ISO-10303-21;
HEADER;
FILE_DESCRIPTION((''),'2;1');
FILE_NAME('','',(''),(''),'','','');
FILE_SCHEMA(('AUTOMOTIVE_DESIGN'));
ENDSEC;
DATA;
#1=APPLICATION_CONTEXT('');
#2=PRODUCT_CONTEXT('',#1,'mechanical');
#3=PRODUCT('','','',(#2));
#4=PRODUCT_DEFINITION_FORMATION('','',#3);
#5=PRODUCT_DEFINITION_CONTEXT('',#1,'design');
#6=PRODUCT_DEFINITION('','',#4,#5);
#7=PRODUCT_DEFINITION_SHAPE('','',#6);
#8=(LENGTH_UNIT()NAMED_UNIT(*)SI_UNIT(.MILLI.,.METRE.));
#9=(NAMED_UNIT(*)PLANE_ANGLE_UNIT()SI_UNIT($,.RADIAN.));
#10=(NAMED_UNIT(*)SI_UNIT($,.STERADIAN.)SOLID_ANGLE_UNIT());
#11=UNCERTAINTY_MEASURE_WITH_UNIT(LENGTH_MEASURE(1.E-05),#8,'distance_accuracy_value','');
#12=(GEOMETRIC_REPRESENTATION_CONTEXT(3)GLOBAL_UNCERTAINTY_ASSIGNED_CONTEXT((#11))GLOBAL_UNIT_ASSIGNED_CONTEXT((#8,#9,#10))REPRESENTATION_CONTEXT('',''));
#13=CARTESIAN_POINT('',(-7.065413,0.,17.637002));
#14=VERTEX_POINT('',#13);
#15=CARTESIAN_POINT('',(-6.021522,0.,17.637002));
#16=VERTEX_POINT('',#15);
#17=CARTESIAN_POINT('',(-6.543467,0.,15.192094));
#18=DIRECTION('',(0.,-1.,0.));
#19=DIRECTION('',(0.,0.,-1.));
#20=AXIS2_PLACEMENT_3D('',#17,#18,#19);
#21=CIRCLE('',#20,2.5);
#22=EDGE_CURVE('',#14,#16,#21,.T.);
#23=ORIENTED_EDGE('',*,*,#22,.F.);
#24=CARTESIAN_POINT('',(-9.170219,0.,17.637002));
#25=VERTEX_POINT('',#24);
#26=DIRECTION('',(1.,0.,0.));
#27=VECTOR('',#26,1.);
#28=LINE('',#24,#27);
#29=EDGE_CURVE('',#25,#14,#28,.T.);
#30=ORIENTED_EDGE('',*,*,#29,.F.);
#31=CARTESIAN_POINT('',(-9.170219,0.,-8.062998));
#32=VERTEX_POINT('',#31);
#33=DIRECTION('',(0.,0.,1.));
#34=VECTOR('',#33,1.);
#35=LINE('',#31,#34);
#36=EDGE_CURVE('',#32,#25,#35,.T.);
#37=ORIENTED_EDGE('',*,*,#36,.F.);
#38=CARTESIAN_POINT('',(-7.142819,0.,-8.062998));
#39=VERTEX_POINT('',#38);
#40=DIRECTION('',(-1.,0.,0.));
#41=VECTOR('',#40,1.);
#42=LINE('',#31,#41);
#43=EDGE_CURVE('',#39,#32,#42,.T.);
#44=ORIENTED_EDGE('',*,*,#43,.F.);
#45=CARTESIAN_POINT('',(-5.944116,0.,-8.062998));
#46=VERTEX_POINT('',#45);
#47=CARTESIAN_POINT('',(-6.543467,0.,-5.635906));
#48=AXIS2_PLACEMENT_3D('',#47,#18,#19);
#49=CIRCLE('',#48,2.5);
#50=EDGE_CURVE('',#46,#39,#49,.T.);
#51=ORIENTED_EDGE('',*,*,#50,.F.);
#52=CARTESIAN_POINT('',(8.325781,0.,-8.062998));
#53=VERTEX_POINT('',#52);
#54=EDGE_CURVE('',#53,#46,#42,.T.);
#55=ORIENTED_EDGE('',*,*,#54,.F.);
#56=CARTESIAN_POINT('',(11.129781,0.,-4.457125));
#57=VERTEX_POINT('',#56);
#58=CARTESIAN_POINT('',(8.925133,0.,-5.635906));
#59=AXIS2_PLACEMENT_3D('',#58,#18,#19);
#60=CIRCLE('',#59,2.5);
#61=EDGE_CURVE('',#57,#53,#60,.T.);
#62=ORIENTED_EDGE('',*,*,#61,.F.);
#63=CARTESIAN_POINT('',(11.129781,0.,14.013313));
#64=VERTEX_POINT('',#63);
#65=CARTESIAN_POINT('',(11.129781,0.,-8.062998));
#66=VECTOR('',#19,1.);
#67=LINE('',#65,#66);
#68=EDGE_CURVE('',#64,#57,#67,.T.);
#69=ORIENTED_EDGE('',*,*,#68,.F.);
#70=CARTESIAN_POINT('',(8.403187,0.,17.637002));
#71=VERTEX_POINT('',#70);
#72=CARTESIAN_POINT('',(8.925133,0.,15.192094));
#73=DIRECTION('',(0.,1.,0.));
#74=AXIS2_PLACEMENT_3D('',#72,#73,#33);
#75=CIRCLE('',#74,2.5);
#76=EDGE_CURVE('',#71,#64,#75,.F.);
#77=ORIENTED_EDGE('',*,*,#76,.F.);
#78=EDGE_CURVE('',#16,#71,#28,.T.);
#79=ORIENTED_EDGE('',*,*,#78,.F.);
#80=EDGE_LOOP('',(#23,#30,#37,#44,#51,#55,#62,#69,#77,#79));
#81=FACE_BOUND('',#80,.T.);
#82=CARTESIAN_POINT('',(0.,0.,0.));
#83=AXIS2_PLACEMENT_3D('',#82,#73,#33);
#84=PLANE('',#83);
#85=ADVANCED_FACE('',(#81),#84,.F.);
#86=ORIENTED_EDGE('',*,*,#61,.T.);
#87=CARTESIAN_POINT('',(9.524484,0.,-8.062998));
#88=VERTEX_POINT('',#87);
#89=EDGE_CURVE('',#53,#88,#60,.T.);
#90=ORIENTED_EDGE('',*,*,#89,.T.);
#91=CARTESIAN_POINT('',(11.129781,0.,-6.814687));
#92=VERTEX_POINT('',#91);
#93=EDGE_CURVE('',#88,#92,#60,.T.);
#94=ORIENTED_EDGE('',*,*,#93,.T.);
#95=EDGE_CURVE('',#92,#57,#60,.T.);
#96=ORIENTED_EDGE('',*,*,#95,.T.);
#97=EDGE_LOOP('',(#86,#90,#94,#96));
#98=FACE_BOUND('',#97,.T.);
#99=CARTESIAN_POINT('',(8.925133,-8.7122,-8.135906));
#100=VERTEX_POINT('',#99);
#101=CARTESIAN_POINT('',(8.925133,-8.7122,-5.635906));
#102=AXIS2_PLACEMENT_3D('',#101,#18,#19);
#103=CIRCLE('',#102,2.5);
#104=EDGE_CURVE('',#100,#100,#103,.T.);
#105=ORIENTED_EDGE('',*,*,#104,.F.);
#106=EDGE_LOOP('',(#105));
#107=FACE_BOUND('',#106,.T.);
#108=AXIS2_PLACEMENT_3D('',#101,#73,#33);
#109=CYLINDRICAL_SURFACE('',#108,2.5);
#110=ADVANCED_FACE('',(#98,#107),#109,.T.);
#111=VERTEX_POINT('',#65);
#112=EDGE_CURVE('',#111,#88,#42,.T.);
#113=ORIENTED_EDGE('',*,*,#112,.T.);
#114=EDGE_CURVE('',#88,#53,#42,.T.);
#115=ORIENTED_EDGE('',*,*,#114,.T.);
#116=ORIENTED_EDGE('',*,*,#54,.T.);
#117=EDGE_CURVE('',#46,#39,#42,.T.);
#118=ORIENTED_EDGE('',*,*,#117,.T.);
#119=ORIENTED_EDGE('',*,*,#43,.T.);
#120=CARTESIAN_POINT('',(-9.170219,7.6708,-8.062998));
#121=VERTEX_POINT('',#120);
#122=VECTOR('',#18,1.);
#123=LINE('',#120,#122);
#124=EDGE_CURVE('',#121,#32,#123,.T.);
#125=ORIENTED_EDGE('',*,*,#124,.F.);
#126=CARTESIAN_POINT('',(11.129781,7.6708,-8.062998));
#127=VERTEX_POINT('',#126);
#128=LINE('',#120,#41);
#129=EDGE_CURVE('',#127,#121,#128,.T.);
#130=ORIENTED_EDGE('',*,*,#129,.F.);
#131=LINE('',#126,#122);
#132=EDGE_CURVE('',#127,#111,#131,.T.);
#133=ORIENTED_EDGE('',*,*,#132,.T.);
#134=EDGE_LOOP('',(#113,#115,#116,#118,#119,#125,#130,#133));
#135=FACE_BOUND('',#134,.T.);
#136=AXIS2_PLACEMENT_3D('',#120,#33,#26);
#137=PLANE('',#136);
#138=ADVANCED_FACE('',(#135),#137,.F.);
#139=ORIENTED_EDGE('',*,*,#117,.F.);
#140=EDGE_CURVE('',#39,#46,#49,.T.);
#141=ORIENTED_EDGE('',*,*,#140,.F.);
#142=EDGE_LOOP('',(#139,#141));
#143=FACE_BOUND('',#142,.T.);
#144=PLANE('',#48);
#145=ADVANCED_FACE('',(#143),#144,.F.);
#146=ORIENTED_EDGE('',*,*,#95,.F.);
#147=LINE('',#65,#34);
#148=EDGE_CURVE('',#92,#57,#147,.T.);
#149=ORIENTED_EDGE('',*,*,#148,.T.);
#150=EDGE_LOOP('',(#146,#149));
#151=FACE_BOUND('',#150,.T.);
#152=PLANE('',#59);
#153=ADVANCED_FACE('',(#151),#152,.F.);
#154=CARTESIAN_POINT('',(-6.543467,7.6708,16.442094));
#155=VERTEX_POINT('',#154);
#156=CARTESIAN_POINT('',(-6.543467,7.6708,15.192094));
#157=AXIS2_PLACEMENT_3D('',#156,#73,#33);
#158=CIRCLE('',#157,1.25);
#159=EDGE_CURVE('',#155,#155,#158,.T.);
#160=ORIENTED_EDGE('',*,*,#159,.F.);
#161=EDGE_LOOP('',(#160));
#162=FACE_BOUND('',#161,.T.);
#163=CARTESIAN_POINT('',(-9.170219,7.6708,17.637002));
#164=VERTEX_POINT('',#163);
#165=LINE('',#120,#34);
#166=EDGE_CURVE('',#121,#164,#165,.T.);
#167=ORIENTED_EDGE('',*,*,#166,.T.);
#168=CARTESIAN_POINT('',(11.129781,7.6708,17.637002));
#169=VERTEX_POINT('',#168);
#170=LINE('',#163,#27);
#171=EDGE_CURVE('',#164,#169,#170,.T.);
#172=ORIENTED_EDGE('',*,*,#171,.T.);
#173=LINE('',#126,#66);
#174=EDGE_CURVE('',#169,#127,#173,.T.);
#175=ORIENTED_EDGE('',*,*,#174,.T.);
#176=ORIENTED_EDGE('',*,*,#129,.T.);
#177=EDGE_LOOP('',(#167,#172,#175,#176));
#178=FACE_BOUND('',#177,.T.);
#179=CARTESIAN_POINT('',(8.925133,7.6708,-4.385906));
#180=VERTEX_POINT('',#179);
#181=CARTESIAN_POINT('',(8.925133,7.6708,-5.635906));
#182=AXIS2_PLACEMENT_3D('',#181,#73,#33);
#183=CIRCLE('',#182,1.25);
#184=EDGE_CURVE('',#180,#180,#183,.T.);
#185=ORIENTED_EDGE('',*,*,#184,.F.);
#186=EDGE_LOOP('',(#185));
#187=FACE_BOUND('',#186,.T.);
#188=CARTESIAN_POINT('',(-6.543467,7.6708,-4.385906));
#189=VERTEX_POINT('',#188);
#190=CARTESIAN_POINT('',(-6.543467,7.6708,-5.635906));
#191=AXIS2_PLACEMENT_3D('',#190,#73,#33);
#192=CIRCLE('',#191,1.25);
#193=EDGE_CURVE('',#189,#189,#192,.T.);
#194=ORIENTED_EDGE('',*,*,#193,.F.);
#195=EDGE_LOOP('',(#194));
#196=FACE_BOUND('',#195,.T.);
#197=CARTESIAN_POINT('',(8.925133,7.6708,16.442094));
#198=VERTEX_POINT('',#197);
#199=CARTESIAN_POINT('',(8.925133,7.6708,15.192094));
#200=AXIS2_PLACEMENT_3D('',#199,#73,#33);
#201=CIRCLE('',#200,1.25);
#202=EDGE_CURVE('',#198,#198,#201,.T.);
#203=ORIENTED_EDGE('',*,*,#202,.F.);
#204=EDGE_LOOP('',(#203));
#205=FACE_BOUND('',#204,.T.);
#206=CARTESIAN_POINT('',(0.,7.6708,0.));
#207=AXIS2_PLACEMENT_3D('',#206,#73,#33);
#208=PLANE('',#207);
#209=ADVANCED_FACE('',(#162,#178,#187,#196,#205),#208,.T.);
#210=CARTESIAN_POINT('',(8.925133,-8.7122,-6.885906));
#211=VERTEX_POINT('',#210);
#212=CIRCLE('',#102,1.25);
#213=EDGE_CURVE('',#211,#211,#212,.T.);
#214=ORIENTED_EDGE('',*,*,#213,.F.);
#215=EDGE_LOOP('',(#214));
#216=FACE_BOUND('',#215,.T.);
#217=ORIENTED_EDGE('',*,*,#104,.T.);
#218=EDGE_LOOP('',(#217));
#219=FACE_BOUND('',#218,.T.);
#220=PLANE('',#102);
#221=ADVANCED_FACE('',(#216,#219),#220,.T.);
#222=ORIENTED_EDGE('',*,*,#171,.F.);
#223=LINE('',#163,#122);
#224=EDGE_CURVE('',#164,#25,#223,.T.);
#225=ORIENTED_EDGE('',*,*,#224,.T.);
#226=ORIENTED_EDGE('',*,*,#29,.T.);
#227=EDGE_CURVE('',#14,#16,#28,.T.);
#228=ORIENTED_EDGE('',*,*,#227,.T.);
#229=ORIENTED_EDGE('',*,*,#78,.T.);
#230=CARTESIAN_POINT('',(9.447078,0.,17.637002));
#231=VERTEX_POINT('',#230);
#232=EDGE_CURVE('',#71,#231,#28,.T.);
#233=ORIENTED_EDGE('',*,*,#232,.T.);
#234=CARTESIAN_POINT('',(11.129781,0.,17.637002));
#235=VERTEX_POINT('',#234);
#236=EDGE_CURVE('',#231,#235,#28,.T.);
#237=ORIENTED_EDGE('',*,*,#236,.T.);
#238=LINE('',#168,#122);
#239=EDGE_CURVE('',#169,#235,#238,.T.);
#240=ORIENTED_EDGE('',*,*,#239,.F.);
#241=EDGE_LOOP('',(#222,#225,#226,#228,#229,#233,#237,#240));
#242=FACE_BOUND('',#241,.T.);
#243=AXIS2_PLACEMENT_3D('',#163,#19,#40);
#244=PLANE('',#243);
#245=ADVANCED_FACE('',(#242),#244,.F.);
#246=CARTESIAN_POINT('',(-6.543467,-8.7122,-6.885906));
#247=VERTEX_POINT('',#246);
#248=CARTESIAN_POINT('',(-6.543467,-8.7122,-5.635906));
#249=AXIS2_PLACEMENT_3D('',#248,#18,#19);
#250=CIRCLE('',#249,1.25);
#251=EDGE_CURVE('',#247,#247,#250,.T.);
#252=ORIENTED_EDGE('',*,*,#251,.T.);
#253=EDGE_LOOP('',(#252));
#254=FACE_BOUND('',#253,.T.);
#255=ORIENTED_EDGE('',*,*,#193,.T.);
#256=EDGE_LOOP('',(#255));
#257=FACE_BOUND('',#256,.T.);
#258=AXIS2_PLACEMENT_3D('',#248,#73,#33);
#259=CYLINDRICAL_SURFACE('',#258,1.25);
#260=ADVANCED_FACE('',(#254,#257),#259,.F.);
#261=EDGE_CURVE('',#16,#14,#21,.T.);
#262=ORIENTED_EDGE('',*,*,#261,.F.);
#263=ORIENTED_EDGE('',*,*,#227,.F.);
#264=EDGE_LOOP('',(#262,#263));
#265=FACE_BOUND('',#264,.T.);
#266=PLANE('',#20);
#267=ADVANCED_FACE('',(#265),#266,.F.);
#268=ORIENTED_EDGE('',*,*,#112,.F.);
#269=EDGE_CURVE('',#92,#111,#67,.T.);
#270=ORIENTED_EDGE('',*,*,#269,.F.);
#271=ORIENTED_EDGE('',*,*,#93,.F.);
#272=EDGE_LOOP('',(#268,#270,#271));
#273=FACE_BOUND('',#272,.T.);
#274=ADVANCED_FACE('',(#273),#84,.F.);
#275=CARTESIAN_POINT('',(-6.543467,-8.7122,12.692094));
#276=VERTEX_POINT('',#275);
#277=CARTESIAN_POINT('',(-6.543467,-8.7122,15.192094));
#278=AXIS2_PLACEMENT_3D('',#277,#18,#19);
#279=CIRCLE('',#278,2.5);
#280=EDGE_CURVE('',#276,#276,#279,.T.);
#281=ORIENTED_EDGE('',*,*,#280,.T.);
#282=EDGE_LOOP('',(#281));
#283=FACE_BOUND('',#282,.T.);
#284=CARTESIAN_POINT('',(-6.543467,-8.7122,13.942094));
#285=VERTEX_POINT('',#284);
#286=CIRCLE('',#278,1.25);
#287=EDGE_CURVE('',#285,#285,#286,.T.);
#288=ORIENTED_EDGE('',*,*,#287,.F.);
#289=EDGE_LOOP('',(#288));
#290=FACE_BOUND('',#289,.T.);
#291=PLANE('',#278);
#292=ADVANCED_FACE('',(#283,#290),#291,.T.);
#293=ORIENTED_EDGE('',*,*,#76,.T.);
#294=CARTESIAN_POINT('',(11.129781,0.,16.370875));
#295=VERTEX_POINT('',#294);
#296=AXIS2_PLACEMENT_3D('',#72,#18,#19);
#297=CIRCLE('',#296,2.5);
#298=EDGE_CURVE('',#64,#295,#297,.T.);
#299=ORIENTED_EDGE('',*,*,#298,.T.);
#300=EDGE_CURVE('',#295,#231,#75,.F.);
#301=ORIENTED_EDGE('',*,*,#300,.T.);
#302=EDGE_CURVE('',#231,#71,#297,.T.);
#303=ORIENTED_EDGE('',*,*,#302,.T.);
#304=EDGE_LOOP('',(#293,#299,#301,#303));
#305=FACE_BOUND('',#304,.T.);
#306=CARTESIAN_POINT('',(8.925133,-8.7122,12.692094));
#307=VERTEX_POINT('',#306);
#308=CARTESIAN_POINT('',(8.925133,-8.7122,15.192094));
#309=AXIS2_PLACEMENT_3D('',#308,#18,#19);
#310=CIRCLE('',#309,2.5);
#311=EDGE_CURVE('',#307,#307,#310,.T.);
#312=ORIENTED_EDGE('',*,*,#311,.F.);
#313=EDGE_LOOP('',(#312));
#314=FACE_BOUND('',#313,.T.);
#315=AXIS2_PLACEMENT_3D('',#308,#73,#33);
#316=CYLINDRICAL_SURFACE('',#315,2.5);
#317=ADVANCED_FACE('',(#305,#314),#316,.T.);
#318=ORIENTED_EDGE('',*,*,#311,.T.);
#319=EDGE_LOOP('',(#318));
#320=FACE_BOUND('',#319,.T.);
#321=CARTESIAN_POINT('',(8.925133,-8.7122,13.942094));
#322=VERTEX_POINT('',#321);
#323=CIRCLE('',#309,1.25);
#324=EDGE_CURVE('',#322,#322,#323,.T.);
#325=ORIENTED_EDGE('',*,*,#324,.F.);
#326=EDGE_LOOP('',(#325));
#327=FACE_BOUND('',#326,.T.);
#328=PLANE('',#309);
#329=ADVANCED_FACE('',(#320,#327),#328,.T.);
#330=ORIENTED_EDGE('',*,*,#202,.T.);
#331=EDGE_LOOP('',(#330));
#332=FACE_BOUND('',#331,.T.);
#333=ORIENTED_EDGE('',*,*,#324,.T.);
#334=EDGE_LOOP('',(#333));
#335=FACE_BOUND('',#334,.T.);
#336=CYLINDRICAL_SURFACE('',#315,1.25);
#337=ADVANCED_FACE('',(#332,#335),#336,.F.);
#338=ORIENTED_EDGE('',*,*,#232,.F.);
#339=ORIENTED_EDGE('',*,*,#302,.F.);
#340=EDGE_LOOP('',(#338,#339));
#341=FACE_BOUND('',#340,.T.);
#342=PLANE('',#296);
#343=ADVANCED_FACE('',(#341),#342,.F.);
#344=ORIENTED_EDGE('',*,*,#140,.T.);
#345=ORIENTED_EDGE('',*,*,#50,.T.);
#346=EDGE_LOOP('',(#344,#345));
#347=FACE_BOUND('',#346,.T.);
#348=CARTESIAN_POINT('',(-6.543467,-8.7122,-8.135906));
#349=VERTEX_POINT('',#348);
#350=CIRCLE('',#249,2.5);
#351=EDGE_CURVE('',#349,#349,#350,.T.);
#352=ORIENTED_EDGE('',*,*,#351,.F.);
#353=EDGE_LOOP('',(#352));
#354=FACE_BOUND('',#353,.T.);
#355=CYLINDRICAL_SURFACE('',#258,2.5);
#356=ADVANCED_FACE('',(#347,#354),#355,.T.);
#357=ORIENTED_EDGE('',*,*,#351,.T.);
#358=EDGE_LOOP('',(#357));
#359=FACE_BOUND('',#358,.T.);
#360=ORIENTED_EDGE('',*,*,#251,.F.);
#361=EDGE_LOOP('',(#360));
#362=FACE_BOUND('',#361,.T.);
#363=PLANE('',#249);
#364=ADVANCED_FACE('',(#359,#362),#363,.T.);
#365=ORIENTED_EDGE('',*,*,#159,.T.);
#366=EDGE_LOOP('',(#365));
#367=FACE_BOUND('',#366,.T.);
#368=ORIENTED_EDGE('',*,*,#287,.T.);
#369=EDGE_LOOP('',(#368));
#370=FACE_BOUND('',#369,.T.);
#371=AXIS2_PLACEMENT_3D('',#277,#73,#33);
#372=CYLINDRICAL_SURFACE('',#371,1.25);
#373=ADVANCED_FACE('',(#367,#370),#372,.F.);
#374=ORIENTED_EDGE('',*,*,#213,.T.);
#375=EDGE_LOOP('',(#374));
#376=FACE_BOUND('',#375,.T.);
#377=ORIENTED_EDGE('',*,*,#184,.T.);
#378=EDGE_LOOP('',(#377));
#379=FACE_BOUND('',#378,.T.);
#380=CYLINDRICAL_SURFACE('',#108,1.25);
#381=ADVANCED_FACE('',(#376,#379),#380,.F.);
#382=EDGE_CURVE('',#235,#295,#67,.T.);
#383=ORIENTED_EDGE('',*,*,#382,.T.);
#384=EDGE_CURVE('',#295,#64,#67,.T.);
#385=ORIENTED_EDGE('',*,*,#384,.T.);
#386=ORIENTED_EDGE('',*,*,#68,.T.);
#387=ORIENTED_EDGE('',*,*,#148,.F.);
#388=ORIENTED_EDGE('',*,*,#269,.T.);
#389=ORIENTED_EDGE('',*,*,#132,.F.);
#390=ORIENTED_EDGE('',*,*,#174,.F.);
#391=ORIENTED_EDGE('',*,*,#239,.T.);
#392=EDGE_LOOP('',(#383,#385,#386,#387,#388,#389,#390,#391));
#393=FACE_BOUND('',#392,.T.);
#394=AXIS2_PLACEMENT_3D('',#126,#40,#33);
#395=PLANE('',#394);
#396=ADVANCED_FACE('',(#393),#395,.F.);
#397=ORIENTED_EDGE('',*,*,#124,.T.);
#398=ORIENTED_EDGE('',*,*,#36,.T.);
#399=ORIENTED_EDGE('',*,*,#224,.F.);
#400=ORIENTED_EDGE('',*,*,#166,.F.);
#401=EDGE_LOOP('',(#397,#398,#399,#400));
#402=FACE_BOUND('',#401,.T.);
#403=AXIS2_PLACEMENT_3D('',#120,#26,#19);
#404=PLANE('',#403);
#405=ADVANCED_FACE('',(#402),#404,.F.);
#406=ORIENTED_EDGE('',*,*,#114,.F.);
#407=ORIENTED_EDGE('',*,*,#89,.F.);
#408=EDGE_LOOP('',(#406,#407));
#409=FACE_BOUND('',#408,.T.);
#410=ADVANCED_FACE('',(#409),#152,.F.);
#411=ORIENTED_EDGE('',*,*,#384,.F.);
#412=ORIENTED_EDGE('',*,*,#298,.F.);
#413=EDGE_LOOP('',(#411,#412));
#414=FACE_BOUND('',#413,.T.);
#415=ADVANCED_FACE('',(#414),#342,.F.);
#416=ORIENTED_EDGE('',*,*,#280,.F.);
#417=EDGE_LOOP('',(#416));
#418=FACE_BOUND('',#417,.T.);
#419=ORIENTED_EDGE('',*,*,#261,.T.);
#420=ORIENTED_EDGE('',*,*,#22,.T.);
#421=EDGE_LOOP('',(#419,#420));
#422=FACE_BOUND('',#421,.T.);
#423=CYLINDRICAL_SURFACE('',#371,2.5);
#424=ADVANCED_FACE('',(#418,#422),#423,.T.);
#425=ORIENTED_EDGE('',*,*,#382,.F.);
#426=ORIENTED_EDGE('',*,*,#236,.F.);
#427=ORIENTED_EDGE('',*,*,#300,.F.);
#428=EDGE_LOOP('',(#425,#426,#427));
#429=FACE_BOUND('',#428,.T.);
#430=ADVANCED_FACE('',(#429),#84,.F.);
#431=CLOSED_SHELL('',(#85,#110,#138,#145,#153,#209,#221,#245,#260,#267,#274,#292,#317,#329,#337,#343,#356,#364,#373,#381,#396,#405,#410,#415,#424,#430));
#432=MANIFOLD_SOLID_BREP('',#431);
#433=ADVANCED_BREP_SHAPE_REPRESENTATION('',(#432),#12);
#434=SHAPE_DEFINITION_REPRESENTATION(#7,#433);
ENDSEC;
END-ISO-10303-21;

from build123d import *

# Parameters (mm, degrees)
SKETCH1_W               = 20.3
SKETCH1_H               = 25.7
BOSS_EXTRUDE1_DEPTH     = 7.6708
SKETCH2_R               = 2.5
SKETCH2_R_2             = 1.25
BOSS_EXTRUDE2_DEPTH     = 8.7122
CUT_EXTRUDE1_DEPTH      = 27.682326303
CUT_EXTRUDE1_DEPTH_BACK = 27.682326303
SKETCH3_R               = 1.25


with BuildPart() as part:
    # Sketch1 → Boss-Extrude1 (new body)
    with BuildSketch(Plane(origin=(0, 0, 0), x_dir=(1, 0, 0), z_dir=(0, 1, 0))):
        with Locations((0.979781162, -4.787001603)):
            Rectangle(SKETCH1_W, SKETCH1_H)
    extrude(amount=BOSS_EXTRUDE1_DEPTH)

    # Sketch2 → Boss-Extrude2 (add)
    # profile 1 of 4: a face of its own
    with BuildSketch(Plane(origin=(0, 0, 0), x_dir=(-1, 0, 0), z_dir=(0, -1, 0))):
        with Locations(Location((6.543467427, -15.1920941, 0), (0, 0, 282.050765662))):
            Circle(SKETCH2_R)
        with Locations(Location((6.543467427, -15.1920941, 0), (0, 0, 90))):
            Circle(SKETCH2_R_2, mode=Mode.SUBTRACT)
    # profile 2 of 4: a face of its own
    with BuildSketch(Plane(origin=(0, 0, 0), x_dir=(-1, 0, 0), z_dir=(0, -1, 0))):
        with Locations(Location((-8.925132573, -15.1920941, 0), (0, 0, 257.949234338))):
            Circle(SKETCH2_R)
        with Locations(Location((-8.925132573, -15.1920941, 0), (0, 0, 90))):
            Circle(SKETCH2_R_2, mode=Mode.SUBTRACT)
    # profile 3 of 4: a face of its own
    with BuildSketch(Plane(origin=(0, 0, 0), x_dir=(-1, 0, 0), z_dir=(0, -1, 0))):
        with Locations(Location((-8.925132573, 5.6359059, 0), (0, 0, 208.132514033))):
            Circle(SKETCH2_R)
        with Locations(Location((-8.925132573, 5.6359059, 0), (0, 0, 90))):
            Circle(SKETCH2_R_2, mode=Mode.SUBTRACT)
    # profile 4 of 4: a face of its own
    with BuildSketch(Plane(origin=(0, 0, 0), x_dir=(-1, 0, 0), z_dir=(0, -1, 0))):
        with Locations(Location((6.543467427, 5.6359059, 0), (0, 0, 76.12877324))):
            Circle(SKETCH2_R)
        with Locations(Location((6.543467427, 5.6359059, 0), (0, 0, 90))):
            Circle(SKETCH2_R_2, mode=Mode.SUBTRACT)
    extrude(amount=BOSS_EXTRUDE2_DEPTH)

    # Sketch3 → Cut-Extrude1 (cut, two sides: drawn at the far end of the back side and taken through both)
    with BuildSketch(Plane(origin=(0, 7.6708, 0), x_dir=(1, 0, 0), z_dir=(0, 1, 0)).offset(-CUT_EXTRUDE1_DEPTH_BACK)):
        with Locations(Location((8.925132573, 5.6359059, 0), (0, 0, 270))):
            Circle(SKETCH3_R)
        with Locations(Location((-6.543467427, 5.6359059, 0), (0, 0, 270))):
            Circle(SKETCH3_R)
        with Locations(Location((8.925132573, -15.1920941, 0), (0, 0, 270))):
            Circle(SKETCH3_R)
        with Locations(Location((-6.543467427, -15.1920941, 0), (0, 0, 270))):
            Circle(SKETCH3_R)
    extrude(amount=CUT_EXTRUDE1_DEPTH + CUT_EXTRUDE1_DEPTH_BACK, mode=Mode.SUBTRACT)


solid = part.part
